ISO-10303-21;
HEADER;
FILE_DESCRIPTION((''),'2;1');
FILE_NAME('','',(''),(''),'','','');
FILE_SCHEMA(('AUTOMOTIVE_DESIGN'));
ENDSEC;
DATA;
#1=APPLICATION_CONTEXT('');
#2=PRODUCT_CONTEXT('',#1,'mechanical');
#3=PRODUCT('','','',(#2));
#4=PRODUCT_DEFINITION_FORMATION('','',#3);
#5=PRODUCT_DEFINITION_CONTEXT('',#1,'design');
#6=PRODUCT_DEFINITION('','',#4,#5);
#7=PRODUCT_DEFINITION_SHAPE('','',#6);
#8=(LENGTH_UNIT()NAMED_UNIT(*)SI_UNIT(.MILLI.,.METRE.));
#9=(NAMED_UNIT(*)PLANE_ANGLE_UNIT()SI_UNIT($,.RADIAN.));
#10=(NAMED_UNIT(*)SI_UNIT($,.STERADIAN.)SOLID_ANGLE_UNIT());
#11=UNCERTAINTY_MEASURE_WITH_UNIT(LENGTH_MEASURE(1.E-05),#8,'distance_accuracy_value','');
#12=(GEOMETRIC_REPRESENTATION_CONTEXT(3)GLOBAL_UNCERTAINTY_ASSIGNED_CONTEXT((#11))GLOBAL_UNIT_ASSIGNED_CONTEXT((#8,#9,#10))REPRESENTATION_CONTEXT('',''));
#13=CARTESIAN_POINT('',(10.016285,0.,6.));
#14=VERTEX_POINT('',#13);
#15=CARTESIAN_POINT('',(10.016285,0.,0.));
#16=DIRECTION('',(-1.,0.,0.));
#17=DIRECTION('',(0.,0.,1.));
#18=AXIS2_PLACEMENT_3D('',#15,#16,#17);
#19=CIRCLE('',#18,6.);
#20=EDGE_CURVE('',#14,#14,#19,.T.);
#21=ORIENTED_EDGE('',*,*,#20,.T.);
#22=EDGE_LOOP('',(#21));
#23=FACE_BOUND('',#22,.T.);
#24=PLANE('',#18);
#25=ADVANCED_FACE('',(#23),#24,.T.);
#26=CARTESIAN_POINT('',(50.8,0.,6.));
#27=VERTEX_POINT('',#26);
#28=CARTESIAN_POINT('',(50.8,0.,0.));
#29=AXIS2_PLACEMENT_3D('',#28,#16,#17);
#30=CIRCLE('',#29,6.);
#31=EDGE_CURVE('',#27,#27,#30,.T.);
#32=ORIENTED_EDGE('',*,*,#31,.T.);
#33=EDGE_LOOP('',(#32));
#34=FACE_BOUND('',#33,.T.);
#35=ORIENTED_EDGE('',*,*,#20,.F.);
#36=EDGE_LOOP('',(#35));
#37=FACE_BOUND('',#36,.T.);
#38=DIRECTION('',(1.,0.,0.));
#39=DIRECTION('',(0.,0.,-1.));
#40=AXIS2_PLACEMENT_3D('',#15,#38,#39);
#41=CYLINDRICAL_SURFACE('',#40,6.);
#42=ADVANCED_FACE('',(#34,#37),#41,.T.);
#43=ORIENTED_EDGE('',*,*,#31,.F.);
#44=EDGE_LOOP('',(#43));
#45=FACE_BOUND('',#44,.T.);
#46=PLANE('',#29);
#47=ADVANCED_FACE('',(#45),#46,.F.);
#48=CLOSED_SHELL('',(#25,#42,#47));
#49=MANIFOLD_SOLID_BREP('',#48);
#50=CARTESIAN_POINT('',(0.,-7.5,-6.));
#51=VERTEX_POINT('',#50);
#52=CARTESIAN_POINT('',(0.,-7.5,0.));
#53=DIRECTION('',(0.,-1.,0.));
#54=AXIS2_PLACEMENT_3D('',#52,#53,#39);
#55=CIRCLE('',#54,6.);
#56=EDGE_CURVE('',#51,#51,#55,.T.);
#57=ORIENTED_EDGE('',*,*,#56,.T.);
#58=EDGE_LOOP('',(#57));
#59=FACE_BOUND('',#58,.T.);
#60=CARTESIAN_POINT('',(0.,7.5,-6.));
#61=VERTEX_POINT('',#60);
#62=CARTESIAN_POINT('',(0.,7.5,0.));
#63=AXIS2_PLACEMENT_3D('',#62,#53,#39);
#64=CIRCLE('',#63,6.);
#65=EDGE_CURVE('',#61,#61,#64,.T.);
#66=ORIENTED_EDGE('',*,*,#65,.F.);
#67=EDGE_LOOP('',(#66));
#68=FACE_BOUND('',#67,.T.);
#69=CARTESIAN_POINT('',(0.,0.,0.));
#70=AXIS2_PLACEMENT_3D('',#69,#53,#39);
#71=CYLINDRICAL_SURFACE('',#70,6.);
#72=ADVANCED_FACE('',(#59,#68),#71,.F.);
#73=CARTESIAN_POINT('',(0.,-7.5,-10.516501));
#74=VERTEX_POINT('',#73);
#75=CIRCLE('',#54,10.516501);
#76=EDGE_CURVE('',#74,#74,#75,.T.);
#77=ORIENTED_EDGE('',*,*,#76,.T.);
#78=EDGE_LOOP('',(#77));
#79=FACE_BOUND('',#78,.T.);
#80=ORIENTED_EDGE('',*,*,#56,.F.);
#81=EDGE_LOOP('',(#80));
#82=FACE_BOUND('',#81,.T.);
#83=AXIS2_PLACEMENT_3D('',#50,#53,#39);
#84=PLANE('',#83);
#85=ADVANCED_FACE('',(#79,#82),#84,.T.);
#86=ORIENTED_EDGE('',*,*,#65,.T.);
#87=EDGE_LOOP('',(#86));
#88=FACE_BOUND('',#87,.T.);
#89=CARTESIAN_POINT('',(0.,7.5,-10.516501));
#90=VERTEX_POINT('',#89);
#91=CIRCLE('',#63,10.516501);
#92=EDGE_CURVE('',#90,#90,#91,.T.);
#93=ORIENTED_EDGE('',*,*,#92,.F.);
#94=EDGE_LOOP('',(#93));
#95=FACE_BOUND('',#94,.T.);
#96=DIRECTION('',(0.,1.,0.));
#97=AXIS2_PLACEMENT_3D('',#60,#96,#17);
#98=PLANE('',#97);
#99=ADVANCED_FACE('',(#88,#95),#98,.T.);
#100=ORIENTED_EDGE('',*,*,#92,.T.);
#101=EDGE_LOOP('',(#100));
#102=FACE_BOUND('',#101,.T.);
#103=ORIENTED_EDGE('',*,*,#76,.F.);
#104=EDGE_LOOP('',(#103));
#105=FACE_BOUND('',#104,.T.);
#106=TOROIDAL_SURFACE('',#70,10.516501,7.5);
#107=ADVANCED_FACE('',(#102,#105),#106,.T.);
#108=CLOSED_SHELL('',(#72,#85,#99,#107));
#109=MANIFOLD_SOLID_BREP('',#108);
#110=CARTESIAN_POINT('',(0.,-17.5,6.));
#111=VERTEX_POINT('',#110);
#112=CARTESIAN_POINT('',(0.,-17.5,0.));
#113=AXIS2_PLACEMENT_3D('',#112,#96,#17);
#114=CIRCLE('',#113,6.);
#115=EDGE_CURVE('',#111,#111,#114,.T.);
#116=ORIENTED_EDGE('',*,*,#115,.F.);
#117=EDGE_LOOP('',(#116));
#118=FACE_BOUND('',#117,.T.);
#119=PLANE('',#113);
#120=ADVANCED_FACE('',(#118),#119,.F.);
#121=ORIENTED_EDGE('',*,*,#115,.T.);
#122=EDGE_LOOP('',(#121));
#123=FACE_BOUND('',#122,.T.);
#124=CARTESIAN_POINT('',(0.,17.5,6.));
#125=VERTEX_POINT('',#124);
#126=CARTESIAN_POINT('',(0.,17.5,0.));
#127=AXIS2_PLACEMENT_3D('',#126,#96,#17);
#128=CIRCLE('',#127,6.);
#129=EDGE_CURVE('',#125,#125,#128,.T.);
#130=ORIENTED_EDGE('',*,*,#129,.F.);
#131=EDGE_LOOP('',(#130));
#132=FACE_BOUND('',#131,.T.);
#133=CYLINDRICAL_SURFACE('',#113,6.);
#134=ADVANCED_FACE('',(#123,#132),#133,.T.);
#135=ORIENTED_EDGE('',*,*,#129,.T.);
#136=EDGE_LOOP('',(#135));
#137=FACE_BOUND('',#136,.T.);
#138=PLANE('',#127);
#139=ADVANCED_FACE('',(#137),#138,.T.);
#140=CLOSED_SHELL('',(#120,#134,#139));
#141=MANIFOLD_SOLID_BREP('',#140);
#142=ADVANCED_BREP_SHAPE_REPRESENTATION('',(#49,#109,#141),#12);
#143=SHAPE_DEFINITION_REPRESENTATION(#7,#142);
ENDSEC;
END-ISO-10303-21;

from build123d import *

# Parameters (mm, degrees)
SKETCH14_R                 = 6
SOLIDPROFILES_12MM_1_DEPTH = 40.783715088
SKETCH15_R                 = 6
BOSS_EXTRUDE1_DEPTH        = 10
BOSS_EXTRUDE1_DEPTH_BACK   = 25


with BuildPart() as part:
    # Sketch3 → Revolve2 (revolve)
    with BuildSketch(Plane(origin=(0, 0, 0), x_dir=(0, 0, -1), z_dir=(1, 0, 0))):
        with BuildLine():
            Line((6, 7.5), (10.516501258, 7.5))
            ThreePointArc((10.516501258, 7.5), (18.016501258, 0), (10.516501258, -7.5))
            Line((10.516501258, -7.5), (6, -7.5))
            Line((6, -7.5), (6, 7.5))
        make_face()
    revolve(axis=Axis((0, 0, 0), (0, 1, 0)))


with BuildPart() as body_2:
    # Sketch14 → Solidprofiles 12MM(1) (new body)
    with BuildSketch(Plane.ZY.offset(-50.8)):
        Circle(SKETCH14_R)
    extrude(amount=SOLIDPROFILES_12MM_1_DEPTH)


with BuildPart() as body_3:
    # Sketch15 → Boss-Extrude1 (new, two sides)
    with BuildSketch(Plane(origin=(0, 7.5, 0), x_dir=(1, 0, 0), z_dir=(0, 1, 0))) as boss_extrude1_sk:
        with Locations(Location((0, 0, 0), (0, 0, 270))):
            Circle(SKETCH15_R)
    extrude(amount=BOSS_EXTRUDE1_DEPTH)
    extrude(boss_extrude1_sk.sketch, amount=-BOSS_EXTRUDE1_DEPTH_BACK)


solid = Compound([part.part, body_2.part, body_3.part])
